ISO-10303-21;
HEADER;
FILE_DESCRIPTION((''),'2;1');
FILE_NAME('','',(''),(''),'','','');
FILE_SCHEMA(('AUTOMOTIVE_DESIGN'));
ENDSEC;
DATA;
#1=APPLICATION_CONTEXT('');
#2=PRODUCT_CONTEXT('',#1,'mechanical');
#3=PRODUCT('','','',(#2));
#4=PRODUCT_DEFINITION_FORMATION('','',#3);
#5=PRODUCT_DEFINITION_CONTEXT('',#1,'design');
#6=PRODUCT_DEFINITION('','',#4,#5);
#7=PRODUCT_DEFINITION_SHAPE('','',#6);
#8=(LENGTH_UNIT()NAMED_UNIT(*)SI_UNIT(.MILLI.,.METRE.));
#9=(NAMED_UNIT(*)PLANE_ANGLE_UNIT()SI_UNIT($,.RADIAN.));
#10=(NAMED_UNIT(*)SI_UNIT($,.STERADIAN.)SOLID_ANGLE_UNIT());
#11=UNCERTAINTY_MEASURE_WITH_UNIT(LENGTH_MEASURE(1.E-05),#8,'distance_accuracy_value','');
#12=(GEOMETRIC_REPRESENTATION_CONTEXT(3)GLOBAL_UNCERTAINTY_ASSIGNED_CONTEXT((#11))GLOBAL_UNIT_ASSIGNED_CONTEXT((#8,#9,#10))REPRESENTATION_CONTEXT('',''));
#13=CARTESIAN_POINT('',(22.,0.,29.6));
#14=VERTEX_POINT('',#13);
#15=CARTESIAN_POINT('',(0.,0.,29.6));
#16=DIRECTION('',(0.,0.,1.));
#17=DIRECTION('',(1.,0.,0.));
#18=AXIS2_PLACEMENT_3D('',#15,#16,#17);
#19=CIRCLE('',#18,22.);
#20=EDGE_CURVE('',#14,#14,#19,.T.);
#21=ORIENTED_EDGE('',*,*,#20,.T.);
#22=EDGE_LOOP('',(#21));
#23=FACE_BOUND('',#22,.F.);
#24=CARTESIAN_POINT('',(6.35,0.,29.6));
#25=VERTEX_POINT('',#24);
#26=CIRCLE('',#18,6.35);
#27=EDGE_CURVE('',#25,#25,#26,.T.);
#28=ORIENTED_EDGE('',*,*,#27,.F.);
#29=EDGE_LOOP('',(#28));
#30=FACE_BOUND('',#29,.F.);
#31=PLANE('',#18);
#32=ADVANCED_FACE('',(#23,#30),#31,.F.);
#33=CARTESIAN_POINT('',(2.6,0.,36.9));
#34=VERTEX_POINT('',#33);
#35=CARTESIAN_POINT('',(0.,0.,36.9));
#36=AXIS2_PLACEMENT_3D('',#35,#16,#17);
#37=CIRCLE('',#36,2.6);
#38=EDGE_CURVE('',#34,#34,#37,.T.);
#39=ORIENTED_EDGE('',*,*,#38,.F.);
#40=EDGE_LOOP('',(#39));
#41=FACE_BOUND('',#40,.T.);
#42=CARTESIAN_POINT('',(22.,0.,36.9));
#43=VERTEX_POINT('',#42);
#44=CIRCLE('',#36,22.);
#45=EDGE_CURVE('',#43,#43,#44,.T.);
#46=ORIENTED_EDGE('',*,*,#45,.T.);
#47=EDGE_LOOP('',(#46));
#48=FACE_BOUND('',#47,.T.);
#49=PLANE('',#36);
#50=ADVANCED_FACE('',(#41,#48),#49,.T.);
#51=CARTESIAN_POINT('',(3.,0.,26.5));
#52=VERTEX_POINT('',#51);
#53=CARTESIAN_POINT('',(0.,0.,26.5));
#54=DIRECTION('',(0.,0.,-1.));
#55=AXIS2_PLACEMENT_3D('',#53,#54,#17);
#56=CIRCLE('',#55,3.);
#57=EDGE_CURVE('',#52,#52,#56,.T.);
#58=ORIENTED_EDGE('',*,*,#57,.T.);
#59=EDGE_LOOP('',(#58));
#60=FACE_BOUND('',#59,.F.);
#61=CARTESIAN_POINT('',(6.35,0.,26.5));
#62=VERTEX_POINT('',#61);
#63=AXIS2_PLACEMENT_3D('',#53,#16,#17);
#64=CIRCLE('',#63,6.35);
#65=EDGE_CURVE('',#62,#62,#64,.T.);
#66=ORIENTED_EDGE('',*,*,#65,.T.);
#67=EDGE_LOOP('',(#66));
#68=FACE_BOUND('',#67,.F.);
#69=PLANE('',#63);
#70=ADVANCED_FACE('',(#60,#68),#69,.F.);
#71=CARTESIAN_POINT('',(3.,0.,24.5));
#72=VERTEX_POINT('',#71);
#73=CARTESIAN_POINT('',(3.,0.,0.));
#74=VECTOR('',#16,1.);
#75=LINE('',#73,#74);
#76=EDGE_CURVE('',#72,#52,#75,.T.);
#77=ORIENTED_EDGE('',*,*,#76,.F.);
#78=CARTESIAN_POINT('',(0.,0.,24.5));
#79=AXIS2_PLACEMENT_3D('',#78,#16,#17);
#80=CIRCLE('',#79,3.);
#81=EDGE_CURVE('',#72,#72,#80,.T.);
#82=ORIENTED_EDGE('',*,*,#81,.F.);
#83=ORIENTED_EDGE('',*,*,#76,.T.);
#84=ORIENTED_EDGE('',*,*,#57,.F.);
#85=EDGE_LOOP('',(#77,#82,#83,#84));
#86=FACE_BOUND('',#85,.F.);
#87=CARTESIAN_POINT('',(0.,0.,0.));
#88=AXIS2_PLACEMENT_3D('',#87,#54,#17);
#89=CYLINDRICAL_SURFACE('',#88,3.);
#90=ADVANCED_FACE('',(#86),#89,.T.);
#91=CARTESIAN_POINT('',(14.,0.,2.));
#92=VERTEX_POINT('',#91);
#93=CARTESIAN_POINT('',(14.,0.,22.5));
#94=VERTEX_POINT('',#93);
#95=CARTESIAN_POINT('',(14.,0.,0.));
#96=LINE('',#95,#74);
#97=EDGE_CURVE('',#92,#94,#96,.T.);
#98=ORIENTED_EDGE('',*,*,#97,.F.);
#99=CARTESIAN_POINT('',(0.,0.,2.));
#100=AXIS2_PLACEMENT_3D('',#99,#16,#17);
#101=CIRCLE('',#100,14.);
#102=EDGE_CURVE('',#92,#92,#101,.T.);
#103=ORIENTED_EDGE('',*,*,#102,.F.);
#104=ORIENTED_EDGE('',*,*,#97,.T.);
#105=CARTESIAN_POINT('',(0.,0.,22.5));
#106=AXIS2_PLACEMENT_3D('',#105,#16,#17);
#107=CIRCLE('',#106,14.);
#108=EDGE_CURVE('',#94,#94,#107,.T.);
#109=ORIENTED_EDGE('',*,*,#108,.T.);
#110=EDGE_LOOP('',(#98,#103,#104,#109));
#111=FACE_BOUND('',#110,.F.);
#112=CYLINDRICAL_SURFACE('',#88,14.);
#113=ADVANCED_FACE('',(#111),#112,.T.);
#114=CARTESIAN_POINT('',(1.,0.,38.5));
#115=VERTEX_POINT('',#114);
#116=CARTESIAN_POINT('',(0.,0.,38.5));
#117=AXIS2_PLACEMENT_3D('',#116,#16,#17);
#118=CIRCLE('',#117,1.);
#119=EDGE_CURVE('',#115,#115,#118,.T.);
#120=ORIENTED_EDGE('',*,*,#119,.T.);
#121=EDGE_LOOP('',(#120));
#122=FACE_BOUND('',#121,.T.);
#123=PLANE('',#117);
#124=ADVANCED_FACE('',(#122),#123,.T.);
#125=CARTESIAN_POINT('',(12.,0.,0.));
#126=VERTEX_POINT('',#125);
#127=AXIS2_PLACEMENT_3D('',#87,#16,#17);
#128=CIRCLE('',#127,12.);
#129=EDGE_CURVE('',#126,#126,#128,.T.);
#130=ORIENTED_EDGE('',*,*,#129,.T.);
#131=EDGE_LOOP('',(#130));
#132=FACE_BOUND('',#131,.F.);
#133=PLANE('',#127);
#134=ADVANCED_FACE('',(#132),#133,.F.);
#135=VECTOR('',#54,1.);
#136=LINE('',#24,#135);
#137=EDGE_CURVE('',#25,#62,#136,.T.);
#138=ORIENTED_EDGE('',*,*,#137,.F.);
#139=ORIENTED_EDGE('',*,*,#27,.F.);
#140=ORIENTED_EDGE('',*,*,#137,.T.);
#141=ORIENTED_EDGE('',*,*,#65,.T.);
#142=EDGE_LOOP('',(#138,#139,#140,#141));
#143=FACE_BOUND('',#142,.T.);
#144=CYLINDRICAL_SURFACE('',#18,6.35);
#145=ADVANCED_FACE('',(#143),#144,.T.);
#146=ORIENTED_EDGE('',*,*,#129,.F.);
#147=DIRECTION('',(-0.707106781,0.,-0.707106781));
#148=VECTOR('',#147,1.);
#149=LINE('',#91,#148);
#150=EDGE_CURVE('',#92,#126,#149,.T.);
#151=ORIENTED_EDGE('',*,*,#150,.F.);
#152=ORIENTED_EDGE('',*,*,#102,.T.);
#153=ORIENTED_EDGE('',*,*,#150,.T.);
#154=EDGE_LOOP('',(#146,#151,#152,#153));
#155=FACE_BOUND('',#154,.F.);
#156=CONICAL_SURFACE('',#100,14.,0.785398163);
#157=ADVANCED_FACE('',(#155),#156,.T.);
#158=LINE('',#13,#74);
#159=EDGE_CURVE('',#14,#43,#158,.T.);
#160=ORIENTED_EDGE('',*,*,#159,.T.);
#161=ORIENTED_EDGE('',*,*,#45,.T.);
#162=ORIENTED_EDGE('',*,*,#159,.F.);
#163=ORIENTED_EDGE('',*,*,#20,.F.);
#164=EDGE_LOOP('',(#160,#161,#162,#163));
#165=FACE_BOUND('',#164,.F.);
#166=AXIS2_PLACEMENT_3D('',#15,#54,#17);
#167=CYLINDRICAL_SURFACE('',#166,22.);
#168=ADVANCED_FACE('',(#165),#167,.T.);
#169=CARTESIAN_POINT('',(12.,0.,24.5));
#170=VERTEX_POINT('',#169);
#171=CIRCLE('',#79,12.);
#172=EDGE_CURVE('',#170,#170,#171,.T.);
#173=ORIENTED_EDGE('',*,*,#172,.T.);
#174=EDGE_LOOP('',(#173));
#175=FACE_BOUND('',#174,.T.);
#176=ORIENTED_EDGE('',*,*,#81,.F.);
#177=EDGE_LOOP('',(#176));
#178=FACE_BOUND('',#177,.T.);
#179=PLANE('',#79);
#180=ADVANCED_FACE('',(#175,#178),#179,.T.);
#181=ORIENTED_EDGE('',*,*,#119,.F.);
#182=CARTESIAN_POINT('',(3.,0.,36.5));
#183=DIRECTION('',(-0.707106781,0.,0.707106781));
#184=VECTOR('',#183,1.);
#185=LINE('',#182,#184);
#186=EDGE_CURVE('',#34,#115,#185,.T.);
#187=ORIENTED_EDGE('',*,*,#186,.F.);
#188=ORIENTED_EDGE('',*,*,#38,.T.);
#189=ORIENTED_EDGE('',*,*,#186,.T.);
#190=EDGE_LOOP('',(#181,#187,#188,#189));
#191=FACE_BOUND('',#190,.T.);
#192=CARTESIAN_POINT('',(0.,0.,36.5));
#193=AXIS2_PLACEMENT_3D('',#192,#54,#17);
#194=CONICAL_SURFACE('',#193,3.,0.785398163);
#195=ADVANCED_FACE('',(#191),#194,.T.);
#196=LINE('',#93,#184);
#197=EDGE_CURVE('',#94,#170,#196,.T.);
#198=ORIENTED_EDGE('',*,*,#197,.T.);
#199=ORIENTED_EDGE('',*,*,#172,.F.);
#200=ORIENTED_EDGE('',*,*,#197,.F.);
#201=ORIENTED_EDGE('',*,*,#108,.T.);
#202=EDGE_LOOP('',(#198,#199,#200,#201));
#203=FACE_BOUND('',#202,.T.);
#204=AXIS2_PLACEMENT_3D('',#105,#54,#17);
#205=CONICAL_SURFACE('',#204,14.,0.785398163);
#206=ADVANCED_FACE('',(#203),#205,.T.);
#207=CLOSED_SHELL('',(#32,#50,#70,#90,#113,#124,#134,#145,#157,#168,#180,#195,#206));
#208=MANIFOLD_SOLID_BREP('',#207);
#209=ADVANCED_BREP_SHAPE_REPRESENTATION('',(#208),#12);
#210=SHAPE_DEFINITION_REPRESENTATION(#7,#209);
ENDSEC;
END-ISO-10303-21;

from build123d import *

# Parameters (mm, degrees)
F0_R     = 3
F1_DEPTH = 38.5
F0_R_2   = 14
F2_DEPTH = 24.5
F3_SIZE  = 2
F5_R     = 22
F5_R_2   = 6.35
F6_DEPTH = 7.3
F7_DEPTH = 3.1


with BuildPart() as f1:
    # F0 (on Top) → F1 (new body)
    with BuildSketch(Plane.XY):
        Circle(F0_R)
    extrude(amount=F1_DEPTH)

    # F0 (on Top) → F2 (join)
    with BuildSketch(Plane.XY):
        Circle(F0_R_2)
        Circle(F0_R, mode=Mode.SUBTRACT)
    extrude(amount=F2_DEPTH)

    # F3
    f3_edges = [f1.edges().sort_by_distance(p)[0] for p in [
        (-14, 0, 0),
        (-14, 0, 24.5),
        (-3, 0, 38.5),
    ]]
    chamfer(f3_edges, length=F3_SIZE)

    # F5 (on offset) → F6 (join)
    with BuildSketch(Plane.XY.offset(29.6)):
        Circle(F5_R)
        Circle(F5_R_2, mode=Mode.SUBTRACT)
        Circle(F5_R_2)
    extrude(amount=F6_DEPTH)

    # F5 (on offset) → F7 (join)
    with BuildSketch(Plane.XY.offset(29.6)):
        Circle(F5_R_2)
    extrude(amount=-F7_DEPTH)


solid = f1.part
